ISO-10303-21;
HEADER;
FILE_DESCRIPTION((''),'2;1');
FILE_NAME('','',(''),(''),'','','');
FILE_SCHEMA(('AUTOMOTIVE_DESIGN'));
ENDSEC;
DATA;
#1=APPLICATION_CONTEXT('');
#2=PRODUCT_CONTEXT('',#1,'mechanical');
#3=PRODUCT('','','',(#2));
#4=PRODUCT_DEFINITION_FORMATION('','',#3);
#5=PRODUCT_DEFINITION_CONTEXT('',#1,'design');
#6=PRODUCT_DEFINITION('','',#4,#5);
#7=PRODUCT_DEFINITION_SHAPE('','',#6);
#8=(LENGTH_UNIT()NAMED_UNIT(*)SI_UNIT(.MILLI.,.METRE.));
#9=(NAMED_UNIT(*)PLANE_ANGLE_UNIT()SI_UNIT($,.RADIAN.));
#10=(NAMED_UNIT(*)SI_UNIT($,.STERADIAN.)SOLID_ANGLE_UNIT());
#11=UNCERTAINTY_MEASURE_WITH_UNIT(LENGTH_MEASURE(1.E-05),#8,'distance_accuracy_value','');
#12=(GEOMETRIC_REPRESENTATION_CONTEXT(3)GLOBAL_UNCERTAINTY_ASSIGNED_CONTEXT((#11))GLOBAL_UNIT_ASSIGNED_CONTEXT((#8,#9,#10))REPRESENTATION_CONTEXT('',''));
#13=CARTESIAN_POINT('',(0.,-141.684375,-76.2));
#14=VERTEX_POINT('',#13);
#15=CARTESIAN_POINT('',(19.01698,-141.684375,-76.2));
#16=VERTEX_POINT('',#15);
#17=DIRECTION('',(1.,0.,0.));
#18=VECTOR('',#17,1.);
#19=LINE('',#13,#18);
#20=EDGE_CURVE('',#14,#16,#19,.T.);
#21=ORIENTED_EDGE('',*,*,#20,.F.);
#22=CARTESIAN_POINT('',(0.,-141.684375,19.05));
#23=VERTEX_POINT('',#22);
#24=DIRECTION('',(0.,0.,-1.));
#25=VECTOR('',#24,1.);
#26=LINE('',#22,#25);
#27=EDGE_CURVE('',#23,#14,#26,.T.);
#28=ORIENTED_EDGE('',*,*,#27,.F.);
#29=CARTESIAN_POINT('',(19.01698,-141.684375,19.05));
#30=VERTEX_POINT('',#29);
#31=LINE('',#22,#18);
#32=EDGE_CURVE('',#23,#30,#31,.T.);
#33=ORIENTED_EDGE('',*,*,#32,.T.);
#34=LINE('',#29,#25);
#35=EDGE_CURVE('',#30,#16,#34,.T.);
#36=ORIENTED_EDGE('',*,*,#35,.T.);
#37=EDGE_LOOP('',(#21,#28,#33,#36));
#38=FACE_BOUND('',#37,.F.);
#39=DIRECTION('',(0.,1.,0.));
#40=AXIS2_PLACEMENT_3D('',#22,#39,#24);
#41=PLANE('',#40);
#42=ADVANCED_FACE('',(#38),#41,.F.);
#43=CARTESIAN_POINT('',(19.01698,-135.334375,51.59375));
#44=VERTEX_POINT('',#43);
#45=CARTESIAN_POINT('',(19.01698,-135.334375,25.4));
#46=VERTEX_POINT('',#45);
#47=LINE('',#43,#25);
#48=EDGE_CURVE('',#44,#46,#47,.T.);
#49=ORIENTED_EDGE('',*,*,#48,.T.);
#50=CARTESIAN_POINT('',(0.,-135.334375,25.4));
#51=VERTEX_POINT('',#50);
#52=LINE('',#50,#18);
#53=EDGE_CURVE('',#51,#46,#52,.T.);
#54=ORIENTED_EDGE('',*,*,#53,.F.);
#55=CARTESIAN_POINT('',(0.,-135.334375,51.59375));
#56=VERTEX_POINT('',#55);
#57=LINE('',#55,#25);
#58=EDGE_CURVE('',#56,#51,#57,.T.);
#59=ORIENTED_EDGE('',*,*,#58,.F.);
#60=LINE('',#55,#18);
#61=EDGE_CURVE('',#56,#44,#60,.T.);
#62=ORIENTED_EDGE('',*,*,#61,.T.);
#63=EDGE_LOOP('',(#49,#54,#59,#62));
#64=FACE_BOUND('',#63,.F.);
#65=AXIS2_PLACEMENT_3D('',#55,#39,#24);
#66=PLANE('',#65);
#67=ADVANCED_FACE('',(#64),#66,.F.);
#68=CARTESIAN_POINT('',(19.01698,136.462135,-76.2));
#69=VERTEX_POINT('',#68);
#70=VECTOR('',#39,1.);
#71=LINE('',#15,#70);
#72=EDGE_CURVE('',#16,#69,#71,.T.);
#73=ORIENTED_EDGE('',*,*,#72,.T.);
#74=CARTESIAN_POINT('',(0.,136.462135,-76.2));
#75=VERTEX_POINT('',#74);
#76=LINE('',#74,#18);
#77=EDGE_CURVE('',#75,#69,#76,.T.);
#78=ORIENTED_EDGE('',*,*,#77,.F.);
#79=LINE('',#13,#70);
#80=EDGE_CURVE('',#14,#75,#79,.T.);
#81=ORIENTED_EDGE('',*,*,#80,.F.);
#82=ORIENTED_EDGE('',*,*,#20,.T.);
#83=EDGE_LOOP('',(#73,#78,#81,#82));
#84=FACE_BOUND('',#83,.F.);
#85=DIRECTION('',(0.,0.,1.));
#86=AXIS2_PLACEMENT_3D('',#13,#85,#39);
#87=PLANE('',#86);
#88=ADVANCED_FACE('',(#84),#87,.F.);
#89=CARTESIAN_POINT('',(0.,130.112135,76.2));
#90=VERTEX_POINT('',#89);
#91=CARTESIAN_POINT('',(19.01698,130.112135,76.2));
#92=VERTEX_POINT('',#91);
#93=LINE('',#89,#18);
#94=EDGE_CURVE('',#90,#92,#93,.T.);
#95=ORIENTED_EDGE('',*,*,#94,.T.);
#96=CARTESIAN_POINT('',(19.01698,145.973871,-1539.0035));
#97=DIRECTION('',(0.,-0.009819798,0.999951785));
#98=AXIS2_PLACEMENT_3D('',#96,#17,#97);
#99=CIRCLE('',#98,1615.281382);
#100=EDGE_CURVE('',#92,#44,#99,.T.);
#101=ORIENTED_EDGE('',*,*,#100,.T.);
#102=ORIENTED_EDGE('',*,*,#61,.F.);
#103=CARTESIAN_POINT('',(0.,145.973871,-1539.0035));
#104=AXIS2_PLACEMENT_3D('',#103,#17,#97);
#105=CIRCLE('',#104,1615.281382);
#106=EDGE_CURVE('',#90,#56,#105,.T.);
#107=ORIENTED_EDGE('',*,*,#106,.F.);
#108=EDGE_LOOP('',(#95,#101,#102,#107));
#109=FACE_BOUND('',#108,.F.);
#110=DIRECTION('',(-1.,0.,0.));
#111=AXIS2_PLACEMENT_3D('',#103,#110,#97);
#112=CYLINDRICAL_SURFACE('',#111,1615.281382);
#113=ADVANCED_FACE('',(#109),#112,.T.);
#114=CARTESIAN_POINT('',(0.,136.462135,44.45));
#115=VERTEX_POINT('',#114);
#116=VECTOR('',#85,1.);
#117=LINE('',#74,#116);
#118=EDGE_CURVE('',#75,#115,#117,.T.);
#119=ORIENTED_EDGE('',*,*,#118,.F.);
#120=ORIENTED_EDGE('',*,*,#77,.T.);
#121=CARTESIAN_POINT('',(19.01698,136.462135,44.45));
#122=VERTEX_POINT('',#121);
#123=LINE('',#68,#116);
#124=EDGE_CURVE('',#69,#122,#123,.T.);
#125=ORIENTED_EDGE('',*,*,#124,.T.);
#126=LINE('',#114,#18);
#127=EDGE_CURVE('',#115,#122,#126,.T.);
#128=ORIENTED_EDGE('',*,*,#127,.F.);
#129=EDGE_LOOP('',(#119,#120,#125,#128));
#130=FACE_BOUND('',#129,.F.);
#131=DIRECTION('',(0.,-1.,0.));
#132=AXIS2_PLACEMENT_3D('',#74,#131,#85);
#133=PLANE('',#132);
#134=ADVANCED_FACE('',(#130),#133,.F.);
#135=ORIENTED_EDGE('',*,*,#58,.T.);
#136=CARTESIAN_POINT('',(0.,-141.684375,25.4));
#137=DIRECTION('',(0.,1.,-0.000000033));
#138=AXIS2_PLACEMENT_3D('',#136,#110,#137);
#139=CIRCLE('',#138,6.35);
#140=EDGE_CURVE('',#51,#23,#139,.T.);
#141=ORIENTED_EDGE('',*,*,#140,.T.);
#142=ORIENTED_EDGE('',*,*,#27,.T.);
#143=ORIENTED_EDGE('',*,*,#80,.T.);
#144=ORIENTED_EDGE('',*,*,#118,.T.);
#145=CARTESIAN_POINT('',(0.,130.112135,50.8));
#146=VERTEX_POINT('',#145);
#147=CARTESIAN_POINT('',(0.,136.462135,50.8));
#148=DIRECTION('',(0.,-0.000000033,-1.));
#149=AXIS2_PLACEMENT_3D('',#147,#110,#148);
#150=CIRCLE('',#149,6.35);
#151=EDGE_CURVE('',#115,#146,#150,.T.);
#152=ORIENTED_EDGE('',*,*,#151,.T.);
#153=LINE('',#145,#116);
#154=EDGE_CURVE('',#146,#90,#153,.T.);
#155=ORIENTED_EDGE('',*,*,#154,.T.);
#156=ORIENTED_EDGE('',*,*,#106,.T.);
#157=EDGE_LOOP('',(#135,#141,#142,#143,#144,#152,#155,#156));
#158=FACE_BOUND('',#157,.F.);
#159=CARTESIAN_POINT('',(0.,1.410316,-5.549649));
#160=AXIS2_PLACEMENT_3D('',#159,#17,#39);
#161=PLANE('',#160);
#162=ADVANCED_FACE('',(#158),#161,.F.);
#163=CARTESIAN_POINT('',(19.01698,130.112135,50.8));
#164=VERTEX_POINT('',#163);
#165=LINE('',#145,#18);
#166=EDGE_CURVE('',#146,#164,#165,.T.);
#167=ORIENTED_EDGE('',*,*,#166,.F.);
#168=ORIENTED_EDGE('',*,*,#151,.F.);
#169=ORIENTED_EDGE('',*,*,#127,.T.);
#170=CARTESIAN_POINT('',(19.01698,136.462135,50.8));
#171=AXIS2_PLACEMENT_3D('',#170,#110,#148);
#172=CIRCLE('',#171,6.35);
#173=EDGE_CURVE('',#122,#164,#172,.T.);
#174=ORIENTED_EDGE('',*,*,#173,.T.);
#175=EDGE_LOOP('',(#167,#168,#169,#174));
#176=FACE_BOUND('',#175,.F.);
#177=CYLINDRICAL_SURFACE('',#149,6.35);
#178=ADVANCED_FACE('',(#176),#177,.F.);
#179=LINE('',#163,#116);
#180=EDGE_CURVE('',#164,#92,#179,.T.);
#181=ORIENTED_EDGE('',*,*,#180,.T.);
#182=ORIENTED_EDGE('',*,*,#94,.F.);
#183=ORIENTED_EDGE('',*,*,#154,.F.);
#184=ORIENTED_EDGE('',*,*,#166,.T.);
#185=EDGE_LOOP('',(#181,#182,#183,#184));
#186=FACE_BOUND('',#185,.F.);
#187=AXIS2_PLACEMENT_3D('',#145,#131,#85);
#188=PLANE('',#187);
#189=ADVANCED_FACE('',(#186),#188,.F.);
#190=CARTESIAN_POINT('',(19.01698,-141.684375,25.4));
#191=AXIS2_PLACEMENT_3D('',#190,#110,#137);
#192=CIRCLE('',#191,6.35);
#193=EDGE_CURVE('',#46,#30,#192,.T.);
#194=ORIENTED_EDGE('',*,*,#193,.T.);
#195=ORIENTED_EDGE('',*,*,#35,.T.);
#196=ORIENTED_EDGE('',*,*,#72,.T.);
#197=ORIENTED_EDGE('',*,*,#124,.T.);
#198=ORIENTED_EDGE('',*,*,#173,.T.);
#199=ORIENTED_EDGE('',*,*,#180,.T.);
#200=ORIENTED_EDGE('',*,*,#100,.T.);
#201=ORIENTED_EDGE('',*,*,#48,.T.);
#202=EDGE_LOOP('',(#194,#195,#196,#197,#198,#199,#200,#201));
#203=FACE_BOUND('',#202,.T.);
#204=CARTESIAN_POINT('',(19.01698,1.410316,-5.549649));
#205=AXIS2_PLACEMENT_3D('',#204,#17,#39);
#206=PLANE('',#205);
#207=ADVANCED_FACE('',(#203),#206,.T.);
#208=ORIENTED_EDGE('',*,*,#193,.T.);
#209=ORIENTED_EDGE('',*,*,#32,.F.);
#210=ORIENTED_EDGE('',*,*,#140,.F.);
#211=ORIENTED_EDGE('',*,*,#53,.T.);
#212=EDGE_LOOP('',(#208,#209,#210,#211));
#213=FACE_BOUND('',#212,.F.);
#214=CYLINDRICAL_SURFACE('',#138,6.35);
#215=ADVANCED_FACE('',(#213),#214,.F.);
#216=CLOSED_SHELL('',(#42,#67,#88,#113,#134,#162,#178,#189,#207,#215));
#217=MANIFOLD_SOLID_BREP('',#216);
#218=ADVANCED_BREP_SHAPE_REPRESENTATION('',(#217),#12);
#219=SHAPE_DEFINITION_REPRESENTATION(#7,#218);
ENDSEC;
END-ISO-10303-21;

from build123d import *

# Parameters (mm, degrees)
F1_DEPTH = 19.01698


with BuildPart() as f1:
    # F0 (on Right) → F1 (new body)
    with BuildSketch(Plane.YZ):
        with BuildLine():
            Line((-141.684375, -76.2), (136.462135, -76.2))
            Line((136.462135, -76.2), (136.462135, 44.45))
            ThreePointArc((136.462135, 44.45), (131.972007, 46.309872), (130.112135, 50.8))
            Line((130.112135, 50.8), (130.112135, 76.2))
            ThreePointArc((130.112135, 76.2), (-3.119611, 69.38236), (-135.334375, 51.59375))
            Line((-135.334375, 51.59375), (-135.334375, 25.4))
            ThreePointArc((-135.334375, 25.4), (-137.194247, 20.909872), (-141.684375, 19.05))
            Line((-141.684375, 19.05), (-141.684375, -76.2))
        make_face()
    extrude(amount=F1_DEPTH)


solid = f1.part
